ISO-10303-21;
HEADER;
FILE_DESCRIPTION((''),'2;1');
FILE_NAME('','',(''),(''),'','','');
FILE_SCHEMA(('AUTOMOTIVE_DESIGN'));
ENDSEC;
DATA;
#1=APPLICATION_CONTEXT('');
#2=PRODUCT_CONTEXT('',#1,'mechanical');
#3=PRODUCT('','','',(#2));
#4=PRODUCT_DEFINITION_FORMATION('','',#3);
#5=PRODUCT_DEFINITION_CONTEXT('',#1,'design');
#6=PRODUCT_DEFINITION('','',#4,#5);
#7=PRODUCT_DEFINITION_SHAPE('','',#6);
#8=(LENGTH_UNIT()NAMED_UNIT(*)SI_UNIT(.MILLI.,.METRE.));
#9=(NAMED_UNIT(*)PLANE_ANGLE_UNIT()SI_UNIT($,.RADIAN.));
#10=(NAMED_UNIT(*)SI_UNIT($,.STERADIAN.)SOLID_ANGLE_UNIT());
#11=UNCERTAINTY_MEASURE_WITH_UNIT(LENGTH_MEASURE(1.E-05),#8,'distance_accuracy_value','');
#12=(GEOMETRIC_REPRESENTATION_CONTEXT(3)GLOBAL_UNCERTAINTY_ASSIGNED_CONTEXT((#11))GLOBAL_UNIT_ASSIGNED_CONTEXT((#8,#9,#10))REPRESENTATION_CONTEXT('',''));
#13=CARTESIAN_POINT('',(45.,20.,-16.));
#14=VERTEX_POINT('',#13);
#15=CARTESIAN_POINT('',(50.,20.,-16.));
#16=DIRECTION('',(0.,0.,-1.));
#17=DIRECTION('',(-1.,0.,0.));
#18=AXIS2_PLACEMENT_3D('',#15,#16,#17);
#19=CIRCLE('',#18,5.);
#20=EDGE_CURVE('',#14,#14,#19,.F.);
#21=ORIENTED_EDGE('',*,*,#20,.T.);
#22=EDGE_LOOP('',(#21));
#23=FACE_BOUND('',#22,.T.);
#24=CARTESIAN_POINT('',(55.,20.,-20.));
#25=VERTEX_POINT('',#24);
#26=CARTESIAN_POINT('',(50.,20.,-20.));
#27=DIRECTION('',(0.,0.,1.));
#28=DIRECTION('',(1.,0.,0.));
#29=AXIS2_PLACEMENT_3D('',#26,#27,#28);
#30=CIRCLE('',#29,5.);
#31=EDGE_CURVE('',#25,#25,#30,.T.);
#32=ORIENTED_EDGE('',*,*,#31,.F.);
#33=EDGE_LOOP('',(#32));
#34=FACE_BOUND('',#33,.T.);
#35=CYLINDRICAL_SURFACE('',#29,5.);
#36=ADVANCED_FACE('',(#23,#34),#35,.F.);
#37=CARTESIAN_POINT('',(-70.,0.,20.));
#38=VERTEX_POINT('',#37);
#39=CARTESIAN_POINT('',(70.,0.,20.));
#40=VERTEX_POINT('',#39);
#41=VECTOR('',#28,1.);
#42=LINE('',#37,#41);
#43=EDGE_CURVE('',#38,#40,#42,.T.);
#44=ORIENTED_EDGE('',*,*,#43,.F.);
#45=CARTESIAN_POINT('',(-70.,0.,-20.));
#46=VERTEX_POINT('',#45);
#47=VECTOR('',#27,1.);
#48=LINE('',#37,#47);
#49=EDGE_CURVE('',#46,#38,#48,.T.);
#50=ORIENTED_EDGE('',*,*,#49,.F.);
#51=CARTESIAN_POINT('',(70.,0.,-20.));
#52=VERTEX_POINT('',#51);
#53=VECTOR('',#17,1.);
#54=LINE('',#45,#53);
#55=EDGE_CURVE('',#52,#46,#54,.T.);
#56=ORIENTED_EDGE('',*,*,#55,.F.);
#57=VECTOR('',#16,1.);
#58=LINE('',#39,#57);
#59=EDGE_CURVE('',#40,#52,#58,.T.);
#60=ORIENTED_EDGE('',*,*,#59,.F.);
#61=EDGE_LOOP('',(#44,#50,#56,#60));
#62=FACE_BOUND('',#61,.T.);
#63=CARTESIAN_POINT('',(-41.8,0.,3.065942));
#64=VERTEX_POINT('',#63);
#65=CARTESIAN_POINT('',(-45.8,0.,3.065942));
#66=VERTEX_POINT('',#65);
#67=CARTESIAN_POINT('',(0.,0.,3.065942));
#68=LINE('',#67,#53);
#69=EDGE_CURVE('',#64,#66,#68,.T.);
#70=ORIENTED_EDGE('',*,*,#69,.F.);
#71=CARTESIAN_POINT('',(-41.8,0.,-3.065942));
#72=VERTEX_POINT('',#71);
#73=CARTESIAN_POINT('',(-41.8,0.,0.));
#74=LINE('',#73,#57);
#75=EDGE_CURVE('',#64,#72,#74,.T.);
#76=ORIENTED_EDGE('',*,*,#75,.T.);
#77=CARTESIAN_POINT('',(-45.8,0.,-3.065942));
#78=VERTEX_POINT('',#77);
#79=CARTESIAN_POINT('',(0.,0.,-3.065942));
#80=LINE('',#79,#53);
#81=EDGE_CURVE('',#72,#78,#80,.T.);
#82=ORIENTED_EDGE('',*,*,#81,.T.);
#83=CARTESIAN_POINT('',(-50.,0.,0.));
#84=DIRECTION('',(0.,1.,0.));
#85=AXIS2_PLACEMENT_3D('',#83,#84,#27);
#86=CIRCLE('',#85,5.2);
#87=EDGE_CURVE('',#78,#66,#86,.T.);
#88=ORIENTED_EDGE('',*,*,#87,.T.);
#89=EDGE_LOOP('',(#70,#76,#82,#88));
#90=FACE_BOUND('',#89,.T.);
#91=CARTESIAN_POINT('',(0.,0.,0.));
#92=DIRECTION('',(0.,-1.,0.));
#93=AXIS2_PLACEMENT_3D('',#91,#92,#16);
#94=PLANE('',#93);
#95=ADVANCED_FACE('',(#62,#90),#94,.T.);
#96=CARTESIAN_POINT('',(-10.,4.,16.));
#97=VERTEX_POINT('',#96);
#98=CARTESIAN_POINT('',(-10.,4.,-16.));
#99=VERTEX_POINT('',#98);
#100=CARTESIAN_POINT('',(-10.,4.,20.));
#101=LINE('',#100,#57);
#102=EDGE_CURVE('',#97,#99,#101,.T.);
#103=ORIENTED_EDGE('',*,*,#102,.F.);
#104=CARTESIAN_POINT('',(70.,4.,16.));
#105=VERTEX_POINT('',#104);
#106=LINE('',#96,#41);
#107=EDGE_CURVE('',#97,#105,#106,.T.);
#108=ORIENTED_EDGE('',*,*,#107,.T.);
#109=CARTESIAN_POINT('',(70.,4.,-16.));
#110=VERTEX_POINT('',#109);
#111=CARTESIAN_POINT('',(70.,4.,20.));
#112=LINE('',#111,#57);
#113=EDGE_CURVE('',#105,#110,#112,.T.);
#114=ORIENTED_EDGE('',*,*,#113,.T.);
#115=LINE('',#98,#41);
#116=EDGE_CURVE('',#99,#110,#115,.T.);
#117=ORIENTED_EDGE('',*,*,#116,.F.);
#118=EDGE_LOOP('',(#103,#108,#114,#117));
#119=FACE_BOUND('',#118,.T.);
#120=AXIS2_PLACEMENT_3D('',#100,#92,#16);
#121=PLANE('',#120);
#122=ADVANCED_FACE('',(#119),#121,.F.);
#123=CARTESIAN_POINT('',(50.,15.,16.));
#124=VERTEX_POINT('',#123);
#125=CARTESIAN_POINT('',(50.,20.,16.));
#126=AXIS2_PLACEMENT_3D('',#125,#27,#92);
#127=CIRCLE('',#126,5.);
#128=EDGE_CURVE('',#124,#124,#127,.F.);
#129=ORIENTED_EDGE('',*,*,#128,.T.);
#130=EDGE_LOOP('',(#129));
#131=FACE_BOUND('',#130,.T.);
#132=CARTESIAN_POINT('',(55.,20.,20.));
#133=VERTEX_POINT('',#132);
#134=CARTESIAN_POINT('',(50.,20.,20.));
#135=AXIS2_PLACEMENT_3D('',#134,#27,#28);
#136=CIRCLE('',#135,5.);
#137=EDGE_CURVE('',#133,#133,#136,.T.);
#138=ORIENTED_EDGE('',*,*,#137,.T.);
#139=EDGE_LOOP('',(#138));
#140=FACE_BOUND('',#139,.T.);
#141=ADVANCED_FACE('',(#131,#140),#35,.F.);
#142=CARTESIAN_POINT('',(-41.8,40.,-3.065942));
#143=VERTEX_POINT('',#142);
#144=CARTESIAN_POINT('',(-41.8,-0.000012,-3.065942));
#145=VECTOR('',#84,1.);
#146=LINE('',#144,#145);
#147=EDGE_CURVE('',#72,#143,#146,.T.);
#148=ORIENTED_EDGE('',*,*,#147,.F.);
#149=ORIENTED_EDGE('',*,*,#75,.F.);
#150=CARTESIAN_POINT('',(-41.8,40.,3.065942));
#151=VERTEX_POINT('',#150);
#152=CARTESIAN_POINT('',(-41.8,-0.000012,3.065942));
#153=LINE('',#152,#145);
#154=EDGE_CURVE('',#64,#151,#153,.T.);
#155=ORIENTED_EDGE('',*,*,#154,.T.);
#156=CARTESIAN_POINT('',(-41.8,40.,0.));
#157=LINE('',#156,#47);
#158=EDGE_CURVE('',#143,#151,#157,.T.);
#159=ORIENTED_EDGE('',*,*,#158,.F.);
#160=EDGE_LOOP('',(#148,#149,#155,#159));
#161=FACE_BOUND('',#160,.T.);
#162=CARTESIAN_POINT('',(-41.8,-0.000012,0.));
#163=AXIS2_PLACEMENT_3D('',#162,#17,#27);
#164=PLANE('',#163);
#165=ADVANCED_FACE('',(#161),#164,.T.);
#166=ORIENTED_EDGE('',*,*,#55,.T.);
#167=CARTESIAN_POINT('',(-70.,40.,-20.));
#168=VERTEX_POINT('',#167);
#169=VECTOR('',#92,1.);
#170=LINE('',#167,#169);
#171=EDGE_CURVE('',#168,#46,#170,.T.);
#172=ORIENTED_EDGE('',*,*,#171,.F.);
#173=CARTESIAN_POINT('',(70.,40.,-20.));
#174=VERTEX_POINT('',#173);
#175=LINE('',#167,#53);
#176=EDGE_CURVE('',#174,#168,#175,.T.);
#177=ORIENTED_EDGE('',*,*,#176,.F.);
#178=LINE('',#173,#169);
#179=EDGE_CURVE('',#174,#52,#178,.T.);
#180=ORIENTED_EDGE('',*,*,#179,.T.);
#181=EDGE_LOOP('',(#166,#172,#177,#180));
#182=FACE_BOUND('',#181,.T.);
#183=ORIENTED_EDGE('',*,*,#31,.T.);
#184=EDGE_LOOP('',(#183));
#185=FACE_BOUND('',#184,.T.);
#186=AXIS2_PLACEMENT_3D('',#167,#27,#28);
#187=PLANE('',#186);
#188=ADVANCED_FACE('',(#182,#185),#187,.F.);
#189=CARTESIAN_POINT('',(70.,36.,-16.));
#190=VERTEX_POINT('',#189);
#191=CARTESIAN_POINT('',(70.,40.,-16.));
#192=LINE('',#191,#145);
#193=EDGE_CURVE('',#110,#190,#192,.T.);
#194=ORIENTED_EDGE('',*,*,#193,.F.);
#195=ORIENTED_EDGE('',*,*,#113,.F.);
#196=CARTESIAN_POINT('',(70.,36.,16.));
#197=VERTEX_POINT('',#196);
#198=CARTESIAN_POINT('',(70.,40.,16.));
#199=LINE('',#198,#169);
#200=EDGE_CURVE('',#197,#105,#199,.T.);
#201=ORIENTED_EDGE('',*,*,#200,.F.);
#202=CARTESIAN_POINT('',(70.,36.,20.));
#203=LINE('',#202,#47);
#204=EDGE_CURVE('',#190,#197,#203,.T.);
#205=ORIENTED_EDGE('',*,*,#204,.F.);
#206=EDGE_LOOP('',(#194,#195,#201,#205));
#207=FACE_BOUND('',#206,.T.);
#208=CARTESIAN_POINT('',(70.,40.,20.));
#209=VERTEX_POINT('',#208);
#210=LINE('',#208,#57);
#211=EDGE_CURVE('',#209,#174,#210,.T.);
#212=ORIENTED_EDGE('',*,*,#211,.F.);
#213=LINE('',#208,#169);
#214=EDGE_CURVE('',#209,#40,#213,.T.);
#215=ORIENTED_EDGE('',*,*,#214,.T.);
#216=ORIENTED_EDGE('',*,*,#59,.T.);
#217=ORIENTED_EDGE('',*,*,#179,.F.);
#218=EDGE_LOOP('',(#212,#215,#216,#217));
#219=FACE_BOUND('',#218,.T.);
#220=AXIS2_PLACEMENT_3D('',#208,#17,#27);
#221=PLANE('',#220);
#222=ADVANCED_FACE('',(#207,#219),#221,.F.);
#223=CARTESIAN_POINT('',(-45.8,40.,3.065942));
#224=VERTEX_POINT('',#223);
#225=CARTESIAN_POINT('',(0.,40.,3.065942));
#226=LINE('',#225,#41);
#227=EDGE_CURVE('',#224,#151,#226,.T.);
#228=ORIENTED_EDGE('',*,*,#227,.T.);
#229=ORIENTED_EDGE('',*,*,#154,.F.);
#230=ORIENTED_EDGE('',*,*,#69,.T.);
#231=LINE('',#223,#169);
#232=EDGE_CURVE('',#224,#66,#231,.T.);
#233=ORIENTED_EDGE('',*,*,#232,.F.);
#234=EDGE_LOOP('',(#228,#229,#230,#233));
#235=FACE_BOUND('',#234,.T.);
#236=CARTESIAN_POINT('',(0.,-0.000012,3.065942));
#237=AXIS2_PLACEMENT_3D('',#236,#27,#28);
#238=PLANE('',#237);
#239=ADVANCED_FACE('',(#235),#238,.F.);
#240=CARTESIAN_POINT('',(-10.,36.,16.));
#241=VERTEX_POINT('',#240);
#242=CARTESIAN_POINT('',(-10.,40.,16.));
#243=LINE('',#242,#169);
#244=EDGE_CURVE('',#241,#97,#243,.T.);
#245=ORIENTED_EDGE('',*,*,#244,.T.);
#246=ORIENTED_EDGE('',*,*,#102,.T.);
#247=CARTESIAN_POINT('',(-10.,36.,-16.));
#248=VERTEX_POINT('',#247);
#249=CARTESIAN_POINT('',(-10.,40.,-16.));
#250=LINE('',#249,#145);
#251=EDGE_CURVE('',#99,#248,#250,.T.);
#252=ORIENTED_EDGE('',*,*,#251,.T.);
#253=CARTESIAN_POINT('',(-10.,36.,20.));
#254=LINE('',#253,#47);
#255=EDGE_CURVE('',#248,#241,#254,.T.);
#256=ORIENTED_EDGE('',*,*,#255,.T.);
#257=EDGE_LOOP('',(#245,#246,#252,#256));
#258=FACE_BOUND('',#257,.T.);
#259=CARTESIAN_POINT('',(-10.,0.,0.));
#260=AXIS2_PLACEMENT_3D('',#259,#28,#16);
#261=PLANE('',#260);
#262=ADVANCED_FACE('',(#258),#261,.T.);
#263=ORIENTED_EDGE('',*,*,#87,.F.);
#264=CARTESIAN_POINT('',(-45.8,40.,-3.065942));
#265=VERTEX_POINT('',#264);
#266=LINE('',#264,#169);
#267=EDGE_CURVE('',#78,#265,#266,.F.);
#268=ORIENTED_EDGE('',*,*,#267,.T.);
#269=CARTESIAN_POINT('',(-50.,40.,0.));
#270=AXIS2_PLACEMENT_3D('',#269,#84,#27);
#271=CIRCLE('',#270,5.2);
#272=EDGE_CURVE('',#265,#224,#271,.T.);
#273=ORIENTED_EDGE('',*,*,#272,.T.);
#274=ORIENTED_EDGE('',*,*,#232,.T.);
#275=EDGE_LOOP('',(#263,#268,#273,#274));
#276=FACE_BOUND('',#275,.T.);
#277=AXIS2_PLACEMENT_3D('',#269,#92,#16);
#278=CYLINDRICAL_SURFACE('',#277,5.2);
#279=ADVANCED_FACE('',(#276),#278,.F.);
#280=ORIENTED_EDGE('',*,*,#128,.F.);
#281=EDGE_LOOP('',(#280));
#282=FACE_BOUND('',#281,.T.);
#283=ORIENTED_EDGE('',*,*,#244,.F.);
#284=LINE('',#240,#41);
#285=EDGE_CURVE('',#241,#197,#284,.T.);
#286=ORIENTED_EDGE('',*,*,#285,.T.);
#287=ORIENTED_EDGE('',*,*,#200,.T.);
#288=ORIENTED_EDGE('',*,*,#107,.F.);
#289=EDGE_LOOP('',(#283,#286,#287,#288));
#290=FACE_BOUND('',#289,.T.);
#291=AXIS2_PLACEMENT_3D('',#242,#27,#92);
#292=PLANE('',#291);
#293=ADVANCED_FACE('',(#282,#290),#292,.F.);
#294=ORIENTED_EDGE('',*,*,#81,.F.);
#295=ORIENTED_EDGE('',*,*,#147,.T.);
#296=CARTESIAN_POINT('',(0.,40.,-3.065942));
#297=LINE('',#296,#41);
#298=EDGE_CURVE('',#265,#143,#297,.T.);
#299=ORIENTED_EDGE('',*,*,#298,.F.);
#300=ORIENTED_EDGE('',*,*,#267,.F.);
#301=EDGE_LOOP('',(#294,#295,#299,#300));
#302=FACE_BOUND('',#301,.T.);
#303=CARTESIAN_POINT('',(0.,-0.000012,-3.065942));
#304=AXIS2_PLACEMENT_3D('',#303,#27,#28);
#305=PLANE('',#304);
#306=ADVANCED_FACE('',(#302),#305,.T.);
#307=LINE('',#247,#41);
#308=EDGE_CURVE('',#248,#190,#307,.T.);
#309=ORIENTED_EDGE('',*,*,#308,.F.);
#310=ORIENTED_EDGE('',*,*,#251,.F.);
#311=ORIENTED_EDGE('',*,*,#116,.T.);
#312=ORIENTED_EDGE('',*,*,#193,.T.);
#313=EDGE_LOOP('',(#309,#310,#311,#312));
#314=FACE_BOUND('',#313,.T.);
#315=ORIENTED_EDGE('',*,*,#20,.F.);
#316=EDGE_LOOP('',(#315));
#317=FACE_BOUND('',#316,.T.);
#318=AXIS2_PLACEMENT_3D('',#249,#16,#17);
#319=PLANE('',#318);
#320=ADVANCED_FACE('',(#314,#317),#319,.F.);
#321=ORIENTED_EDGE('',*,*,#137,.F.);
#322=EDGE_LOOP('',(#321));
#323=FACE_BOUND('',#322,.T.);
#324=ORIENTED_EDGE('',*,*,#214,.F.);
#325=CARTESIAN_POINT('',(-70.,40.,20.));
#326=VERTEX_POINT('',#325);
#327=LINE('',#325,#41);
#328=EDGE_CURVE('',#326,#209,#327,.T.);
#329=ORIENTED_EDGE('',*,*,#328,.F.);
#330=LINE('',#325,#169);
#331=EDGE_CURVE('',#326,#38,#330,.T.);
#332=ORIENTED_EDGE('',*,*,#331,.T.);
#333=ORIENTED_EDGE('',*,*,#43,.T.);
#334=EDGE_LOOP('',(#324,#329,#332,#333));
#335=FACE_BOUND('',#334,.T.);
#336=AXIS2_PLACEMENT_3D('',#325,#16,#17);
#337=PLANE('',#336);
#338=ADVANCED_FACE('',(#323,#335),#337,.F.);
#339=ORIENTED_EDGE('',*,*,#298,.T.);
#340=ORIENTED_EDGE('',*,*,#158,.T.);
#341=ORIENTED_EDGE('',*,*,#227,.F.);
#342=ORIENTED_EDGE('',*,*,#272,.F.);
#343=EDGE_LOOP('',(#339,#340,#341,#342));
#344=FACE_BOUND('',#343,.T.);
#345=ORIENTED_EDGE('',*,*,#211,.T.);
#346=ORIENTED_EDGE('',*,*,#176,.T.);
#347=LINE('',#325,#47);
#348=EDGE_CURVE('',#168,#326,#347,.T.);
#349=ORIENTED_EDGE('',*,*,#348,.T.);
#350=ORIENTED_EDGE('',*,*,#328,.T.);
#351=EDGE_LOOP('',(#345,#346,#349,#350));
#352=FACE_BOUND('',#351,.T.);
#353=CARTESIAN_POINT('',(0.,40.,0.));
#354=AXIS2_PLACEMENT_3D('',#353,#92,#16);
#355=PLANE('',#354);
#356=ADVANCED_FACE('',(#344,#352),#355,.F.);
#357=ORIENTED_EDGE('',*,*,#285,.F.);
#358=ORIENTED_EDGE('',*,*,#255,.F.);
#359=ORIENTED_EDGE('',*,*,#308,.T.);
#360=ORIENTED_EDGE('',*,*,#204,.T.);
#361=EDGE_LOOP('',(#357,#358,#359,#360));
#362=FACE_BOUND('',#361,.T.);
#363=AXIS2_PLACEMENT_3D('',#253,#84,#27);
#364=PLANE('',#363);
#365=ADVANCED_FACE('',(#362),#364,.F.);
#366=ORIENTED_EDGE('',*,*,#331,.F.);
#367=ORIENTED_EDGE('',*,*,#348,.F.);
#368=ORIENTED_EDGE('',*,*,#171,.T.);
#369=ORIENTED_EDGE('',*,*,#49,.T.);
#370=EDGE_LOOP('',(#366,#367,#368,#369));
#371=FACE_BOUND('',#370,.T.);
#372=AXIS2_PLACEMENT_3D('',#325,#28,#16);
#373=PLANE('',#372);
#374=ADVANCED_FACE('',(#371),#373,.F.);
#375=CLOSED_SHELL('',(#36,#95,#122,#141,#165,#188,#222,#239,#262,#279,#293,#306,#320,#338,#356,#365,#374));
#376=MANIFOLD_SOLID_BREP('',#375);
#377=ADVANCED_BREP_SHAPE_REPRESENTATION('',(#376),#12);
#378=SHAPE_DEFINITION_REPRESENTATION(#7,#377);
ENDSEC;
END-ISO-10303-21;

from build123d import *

# Parameters (mm, degrees)
SKETCH2_W               = 140
SKETCH2_H               = 40
SKETCH2_R               = 5.2
BOSS_EXTRUDE1_DEPTH     = 40
CUT_EXTRUDE1_DEPTH      = 84.066238629
CUT_EXTRUDE1_DEPTH_BACK = 84.066238629
SKETCH3_R               = 5
CUT_EXTRUDE5_DEPTH      = 84.066238629
CUT_EXTRUDE5_DEPTH_BACK = 84.066238629
SKETCH7_W               = 2
SKETCH7_H               = 6.131883886
CUT_EXTRUDE6_START      = 70
SKETCH8_W               = 32
SKETCH8_H               = 32
CUT_EXTRUDE6_DEPTH      = 80


with BuildPart() as part:
    # Sketch2 → Boss-Extrude1 (new body)
    with BuildSketch(Plane(origin=(0, 0, 0), x_dir=(1, 0, 0), z_dir=(0, 1, 0))):
        Rectangle(SKETCH2_W, SKETCH2_H)
        with Locations(Location((-50, 0, 0), (0, 0, 270))):
            Circle(SKETCH2_R, mode=Mode.SUBTRACT)
    extrude(amount=BOSS_EXTRUDE1_DEPTH)

    # Sketch3 → Cut-Extrude1 (cut, two sides: drawn at the far end of the back side and taken through both)
    with BuildSketch(Plane.XY.offset(-CUT_EXTRUDE1_DEPTH_BACK)):
        with Locations((50, 20)):
            Circle(SKETCH3_R)
    extrude(amount=CUT_EXTRUDE1_DEPTH + CUT_EXTRUDE1_DEPTH_BACK, mode=Mode.SUBTRACT)

    # Sketch7 → Cut-Extrude5 (cut, two sides: drawn at the far end of the back side and taken through both)
    with BuildSketch(Plane(origin=(0, 0, 0), x_dir=(1, 0, 0), z_dir=(0, 1, 0)).offset(-CUT_EXTRUDE5_DEPTH_BACK)):
        with Locations((-42.8, 0)):
            Rectangle(SKETCH7_W, SKETCH7_H)
        with Locations((-44.8, 0)):
            Rectangle(SKETCH7_W, SKETCH7_H)
    extrude(amount=CUT_EXTRUDE5_DEPTH + CUT_EXTRUDE5_DEPTH_BACK, mode=Mode.SUBTRACT)

    # Sketch8 → Cut-Extrude6 (cut)
    with BuildSketch(Plane(origin=(0, 0, 0), x_dir=(0, 0, -1), z_dir=(1, 0, 0)).offset(CUT_EXTRUDE6_START)):
        with Locations((0, 20)):
            Rectangle(SKETCH8_W, SKETCH8_H)
    extrude(amount=-CUT_EXTRUDE6_DEPTH, mode=Mode.SUBTRACT)


solid = part.part
